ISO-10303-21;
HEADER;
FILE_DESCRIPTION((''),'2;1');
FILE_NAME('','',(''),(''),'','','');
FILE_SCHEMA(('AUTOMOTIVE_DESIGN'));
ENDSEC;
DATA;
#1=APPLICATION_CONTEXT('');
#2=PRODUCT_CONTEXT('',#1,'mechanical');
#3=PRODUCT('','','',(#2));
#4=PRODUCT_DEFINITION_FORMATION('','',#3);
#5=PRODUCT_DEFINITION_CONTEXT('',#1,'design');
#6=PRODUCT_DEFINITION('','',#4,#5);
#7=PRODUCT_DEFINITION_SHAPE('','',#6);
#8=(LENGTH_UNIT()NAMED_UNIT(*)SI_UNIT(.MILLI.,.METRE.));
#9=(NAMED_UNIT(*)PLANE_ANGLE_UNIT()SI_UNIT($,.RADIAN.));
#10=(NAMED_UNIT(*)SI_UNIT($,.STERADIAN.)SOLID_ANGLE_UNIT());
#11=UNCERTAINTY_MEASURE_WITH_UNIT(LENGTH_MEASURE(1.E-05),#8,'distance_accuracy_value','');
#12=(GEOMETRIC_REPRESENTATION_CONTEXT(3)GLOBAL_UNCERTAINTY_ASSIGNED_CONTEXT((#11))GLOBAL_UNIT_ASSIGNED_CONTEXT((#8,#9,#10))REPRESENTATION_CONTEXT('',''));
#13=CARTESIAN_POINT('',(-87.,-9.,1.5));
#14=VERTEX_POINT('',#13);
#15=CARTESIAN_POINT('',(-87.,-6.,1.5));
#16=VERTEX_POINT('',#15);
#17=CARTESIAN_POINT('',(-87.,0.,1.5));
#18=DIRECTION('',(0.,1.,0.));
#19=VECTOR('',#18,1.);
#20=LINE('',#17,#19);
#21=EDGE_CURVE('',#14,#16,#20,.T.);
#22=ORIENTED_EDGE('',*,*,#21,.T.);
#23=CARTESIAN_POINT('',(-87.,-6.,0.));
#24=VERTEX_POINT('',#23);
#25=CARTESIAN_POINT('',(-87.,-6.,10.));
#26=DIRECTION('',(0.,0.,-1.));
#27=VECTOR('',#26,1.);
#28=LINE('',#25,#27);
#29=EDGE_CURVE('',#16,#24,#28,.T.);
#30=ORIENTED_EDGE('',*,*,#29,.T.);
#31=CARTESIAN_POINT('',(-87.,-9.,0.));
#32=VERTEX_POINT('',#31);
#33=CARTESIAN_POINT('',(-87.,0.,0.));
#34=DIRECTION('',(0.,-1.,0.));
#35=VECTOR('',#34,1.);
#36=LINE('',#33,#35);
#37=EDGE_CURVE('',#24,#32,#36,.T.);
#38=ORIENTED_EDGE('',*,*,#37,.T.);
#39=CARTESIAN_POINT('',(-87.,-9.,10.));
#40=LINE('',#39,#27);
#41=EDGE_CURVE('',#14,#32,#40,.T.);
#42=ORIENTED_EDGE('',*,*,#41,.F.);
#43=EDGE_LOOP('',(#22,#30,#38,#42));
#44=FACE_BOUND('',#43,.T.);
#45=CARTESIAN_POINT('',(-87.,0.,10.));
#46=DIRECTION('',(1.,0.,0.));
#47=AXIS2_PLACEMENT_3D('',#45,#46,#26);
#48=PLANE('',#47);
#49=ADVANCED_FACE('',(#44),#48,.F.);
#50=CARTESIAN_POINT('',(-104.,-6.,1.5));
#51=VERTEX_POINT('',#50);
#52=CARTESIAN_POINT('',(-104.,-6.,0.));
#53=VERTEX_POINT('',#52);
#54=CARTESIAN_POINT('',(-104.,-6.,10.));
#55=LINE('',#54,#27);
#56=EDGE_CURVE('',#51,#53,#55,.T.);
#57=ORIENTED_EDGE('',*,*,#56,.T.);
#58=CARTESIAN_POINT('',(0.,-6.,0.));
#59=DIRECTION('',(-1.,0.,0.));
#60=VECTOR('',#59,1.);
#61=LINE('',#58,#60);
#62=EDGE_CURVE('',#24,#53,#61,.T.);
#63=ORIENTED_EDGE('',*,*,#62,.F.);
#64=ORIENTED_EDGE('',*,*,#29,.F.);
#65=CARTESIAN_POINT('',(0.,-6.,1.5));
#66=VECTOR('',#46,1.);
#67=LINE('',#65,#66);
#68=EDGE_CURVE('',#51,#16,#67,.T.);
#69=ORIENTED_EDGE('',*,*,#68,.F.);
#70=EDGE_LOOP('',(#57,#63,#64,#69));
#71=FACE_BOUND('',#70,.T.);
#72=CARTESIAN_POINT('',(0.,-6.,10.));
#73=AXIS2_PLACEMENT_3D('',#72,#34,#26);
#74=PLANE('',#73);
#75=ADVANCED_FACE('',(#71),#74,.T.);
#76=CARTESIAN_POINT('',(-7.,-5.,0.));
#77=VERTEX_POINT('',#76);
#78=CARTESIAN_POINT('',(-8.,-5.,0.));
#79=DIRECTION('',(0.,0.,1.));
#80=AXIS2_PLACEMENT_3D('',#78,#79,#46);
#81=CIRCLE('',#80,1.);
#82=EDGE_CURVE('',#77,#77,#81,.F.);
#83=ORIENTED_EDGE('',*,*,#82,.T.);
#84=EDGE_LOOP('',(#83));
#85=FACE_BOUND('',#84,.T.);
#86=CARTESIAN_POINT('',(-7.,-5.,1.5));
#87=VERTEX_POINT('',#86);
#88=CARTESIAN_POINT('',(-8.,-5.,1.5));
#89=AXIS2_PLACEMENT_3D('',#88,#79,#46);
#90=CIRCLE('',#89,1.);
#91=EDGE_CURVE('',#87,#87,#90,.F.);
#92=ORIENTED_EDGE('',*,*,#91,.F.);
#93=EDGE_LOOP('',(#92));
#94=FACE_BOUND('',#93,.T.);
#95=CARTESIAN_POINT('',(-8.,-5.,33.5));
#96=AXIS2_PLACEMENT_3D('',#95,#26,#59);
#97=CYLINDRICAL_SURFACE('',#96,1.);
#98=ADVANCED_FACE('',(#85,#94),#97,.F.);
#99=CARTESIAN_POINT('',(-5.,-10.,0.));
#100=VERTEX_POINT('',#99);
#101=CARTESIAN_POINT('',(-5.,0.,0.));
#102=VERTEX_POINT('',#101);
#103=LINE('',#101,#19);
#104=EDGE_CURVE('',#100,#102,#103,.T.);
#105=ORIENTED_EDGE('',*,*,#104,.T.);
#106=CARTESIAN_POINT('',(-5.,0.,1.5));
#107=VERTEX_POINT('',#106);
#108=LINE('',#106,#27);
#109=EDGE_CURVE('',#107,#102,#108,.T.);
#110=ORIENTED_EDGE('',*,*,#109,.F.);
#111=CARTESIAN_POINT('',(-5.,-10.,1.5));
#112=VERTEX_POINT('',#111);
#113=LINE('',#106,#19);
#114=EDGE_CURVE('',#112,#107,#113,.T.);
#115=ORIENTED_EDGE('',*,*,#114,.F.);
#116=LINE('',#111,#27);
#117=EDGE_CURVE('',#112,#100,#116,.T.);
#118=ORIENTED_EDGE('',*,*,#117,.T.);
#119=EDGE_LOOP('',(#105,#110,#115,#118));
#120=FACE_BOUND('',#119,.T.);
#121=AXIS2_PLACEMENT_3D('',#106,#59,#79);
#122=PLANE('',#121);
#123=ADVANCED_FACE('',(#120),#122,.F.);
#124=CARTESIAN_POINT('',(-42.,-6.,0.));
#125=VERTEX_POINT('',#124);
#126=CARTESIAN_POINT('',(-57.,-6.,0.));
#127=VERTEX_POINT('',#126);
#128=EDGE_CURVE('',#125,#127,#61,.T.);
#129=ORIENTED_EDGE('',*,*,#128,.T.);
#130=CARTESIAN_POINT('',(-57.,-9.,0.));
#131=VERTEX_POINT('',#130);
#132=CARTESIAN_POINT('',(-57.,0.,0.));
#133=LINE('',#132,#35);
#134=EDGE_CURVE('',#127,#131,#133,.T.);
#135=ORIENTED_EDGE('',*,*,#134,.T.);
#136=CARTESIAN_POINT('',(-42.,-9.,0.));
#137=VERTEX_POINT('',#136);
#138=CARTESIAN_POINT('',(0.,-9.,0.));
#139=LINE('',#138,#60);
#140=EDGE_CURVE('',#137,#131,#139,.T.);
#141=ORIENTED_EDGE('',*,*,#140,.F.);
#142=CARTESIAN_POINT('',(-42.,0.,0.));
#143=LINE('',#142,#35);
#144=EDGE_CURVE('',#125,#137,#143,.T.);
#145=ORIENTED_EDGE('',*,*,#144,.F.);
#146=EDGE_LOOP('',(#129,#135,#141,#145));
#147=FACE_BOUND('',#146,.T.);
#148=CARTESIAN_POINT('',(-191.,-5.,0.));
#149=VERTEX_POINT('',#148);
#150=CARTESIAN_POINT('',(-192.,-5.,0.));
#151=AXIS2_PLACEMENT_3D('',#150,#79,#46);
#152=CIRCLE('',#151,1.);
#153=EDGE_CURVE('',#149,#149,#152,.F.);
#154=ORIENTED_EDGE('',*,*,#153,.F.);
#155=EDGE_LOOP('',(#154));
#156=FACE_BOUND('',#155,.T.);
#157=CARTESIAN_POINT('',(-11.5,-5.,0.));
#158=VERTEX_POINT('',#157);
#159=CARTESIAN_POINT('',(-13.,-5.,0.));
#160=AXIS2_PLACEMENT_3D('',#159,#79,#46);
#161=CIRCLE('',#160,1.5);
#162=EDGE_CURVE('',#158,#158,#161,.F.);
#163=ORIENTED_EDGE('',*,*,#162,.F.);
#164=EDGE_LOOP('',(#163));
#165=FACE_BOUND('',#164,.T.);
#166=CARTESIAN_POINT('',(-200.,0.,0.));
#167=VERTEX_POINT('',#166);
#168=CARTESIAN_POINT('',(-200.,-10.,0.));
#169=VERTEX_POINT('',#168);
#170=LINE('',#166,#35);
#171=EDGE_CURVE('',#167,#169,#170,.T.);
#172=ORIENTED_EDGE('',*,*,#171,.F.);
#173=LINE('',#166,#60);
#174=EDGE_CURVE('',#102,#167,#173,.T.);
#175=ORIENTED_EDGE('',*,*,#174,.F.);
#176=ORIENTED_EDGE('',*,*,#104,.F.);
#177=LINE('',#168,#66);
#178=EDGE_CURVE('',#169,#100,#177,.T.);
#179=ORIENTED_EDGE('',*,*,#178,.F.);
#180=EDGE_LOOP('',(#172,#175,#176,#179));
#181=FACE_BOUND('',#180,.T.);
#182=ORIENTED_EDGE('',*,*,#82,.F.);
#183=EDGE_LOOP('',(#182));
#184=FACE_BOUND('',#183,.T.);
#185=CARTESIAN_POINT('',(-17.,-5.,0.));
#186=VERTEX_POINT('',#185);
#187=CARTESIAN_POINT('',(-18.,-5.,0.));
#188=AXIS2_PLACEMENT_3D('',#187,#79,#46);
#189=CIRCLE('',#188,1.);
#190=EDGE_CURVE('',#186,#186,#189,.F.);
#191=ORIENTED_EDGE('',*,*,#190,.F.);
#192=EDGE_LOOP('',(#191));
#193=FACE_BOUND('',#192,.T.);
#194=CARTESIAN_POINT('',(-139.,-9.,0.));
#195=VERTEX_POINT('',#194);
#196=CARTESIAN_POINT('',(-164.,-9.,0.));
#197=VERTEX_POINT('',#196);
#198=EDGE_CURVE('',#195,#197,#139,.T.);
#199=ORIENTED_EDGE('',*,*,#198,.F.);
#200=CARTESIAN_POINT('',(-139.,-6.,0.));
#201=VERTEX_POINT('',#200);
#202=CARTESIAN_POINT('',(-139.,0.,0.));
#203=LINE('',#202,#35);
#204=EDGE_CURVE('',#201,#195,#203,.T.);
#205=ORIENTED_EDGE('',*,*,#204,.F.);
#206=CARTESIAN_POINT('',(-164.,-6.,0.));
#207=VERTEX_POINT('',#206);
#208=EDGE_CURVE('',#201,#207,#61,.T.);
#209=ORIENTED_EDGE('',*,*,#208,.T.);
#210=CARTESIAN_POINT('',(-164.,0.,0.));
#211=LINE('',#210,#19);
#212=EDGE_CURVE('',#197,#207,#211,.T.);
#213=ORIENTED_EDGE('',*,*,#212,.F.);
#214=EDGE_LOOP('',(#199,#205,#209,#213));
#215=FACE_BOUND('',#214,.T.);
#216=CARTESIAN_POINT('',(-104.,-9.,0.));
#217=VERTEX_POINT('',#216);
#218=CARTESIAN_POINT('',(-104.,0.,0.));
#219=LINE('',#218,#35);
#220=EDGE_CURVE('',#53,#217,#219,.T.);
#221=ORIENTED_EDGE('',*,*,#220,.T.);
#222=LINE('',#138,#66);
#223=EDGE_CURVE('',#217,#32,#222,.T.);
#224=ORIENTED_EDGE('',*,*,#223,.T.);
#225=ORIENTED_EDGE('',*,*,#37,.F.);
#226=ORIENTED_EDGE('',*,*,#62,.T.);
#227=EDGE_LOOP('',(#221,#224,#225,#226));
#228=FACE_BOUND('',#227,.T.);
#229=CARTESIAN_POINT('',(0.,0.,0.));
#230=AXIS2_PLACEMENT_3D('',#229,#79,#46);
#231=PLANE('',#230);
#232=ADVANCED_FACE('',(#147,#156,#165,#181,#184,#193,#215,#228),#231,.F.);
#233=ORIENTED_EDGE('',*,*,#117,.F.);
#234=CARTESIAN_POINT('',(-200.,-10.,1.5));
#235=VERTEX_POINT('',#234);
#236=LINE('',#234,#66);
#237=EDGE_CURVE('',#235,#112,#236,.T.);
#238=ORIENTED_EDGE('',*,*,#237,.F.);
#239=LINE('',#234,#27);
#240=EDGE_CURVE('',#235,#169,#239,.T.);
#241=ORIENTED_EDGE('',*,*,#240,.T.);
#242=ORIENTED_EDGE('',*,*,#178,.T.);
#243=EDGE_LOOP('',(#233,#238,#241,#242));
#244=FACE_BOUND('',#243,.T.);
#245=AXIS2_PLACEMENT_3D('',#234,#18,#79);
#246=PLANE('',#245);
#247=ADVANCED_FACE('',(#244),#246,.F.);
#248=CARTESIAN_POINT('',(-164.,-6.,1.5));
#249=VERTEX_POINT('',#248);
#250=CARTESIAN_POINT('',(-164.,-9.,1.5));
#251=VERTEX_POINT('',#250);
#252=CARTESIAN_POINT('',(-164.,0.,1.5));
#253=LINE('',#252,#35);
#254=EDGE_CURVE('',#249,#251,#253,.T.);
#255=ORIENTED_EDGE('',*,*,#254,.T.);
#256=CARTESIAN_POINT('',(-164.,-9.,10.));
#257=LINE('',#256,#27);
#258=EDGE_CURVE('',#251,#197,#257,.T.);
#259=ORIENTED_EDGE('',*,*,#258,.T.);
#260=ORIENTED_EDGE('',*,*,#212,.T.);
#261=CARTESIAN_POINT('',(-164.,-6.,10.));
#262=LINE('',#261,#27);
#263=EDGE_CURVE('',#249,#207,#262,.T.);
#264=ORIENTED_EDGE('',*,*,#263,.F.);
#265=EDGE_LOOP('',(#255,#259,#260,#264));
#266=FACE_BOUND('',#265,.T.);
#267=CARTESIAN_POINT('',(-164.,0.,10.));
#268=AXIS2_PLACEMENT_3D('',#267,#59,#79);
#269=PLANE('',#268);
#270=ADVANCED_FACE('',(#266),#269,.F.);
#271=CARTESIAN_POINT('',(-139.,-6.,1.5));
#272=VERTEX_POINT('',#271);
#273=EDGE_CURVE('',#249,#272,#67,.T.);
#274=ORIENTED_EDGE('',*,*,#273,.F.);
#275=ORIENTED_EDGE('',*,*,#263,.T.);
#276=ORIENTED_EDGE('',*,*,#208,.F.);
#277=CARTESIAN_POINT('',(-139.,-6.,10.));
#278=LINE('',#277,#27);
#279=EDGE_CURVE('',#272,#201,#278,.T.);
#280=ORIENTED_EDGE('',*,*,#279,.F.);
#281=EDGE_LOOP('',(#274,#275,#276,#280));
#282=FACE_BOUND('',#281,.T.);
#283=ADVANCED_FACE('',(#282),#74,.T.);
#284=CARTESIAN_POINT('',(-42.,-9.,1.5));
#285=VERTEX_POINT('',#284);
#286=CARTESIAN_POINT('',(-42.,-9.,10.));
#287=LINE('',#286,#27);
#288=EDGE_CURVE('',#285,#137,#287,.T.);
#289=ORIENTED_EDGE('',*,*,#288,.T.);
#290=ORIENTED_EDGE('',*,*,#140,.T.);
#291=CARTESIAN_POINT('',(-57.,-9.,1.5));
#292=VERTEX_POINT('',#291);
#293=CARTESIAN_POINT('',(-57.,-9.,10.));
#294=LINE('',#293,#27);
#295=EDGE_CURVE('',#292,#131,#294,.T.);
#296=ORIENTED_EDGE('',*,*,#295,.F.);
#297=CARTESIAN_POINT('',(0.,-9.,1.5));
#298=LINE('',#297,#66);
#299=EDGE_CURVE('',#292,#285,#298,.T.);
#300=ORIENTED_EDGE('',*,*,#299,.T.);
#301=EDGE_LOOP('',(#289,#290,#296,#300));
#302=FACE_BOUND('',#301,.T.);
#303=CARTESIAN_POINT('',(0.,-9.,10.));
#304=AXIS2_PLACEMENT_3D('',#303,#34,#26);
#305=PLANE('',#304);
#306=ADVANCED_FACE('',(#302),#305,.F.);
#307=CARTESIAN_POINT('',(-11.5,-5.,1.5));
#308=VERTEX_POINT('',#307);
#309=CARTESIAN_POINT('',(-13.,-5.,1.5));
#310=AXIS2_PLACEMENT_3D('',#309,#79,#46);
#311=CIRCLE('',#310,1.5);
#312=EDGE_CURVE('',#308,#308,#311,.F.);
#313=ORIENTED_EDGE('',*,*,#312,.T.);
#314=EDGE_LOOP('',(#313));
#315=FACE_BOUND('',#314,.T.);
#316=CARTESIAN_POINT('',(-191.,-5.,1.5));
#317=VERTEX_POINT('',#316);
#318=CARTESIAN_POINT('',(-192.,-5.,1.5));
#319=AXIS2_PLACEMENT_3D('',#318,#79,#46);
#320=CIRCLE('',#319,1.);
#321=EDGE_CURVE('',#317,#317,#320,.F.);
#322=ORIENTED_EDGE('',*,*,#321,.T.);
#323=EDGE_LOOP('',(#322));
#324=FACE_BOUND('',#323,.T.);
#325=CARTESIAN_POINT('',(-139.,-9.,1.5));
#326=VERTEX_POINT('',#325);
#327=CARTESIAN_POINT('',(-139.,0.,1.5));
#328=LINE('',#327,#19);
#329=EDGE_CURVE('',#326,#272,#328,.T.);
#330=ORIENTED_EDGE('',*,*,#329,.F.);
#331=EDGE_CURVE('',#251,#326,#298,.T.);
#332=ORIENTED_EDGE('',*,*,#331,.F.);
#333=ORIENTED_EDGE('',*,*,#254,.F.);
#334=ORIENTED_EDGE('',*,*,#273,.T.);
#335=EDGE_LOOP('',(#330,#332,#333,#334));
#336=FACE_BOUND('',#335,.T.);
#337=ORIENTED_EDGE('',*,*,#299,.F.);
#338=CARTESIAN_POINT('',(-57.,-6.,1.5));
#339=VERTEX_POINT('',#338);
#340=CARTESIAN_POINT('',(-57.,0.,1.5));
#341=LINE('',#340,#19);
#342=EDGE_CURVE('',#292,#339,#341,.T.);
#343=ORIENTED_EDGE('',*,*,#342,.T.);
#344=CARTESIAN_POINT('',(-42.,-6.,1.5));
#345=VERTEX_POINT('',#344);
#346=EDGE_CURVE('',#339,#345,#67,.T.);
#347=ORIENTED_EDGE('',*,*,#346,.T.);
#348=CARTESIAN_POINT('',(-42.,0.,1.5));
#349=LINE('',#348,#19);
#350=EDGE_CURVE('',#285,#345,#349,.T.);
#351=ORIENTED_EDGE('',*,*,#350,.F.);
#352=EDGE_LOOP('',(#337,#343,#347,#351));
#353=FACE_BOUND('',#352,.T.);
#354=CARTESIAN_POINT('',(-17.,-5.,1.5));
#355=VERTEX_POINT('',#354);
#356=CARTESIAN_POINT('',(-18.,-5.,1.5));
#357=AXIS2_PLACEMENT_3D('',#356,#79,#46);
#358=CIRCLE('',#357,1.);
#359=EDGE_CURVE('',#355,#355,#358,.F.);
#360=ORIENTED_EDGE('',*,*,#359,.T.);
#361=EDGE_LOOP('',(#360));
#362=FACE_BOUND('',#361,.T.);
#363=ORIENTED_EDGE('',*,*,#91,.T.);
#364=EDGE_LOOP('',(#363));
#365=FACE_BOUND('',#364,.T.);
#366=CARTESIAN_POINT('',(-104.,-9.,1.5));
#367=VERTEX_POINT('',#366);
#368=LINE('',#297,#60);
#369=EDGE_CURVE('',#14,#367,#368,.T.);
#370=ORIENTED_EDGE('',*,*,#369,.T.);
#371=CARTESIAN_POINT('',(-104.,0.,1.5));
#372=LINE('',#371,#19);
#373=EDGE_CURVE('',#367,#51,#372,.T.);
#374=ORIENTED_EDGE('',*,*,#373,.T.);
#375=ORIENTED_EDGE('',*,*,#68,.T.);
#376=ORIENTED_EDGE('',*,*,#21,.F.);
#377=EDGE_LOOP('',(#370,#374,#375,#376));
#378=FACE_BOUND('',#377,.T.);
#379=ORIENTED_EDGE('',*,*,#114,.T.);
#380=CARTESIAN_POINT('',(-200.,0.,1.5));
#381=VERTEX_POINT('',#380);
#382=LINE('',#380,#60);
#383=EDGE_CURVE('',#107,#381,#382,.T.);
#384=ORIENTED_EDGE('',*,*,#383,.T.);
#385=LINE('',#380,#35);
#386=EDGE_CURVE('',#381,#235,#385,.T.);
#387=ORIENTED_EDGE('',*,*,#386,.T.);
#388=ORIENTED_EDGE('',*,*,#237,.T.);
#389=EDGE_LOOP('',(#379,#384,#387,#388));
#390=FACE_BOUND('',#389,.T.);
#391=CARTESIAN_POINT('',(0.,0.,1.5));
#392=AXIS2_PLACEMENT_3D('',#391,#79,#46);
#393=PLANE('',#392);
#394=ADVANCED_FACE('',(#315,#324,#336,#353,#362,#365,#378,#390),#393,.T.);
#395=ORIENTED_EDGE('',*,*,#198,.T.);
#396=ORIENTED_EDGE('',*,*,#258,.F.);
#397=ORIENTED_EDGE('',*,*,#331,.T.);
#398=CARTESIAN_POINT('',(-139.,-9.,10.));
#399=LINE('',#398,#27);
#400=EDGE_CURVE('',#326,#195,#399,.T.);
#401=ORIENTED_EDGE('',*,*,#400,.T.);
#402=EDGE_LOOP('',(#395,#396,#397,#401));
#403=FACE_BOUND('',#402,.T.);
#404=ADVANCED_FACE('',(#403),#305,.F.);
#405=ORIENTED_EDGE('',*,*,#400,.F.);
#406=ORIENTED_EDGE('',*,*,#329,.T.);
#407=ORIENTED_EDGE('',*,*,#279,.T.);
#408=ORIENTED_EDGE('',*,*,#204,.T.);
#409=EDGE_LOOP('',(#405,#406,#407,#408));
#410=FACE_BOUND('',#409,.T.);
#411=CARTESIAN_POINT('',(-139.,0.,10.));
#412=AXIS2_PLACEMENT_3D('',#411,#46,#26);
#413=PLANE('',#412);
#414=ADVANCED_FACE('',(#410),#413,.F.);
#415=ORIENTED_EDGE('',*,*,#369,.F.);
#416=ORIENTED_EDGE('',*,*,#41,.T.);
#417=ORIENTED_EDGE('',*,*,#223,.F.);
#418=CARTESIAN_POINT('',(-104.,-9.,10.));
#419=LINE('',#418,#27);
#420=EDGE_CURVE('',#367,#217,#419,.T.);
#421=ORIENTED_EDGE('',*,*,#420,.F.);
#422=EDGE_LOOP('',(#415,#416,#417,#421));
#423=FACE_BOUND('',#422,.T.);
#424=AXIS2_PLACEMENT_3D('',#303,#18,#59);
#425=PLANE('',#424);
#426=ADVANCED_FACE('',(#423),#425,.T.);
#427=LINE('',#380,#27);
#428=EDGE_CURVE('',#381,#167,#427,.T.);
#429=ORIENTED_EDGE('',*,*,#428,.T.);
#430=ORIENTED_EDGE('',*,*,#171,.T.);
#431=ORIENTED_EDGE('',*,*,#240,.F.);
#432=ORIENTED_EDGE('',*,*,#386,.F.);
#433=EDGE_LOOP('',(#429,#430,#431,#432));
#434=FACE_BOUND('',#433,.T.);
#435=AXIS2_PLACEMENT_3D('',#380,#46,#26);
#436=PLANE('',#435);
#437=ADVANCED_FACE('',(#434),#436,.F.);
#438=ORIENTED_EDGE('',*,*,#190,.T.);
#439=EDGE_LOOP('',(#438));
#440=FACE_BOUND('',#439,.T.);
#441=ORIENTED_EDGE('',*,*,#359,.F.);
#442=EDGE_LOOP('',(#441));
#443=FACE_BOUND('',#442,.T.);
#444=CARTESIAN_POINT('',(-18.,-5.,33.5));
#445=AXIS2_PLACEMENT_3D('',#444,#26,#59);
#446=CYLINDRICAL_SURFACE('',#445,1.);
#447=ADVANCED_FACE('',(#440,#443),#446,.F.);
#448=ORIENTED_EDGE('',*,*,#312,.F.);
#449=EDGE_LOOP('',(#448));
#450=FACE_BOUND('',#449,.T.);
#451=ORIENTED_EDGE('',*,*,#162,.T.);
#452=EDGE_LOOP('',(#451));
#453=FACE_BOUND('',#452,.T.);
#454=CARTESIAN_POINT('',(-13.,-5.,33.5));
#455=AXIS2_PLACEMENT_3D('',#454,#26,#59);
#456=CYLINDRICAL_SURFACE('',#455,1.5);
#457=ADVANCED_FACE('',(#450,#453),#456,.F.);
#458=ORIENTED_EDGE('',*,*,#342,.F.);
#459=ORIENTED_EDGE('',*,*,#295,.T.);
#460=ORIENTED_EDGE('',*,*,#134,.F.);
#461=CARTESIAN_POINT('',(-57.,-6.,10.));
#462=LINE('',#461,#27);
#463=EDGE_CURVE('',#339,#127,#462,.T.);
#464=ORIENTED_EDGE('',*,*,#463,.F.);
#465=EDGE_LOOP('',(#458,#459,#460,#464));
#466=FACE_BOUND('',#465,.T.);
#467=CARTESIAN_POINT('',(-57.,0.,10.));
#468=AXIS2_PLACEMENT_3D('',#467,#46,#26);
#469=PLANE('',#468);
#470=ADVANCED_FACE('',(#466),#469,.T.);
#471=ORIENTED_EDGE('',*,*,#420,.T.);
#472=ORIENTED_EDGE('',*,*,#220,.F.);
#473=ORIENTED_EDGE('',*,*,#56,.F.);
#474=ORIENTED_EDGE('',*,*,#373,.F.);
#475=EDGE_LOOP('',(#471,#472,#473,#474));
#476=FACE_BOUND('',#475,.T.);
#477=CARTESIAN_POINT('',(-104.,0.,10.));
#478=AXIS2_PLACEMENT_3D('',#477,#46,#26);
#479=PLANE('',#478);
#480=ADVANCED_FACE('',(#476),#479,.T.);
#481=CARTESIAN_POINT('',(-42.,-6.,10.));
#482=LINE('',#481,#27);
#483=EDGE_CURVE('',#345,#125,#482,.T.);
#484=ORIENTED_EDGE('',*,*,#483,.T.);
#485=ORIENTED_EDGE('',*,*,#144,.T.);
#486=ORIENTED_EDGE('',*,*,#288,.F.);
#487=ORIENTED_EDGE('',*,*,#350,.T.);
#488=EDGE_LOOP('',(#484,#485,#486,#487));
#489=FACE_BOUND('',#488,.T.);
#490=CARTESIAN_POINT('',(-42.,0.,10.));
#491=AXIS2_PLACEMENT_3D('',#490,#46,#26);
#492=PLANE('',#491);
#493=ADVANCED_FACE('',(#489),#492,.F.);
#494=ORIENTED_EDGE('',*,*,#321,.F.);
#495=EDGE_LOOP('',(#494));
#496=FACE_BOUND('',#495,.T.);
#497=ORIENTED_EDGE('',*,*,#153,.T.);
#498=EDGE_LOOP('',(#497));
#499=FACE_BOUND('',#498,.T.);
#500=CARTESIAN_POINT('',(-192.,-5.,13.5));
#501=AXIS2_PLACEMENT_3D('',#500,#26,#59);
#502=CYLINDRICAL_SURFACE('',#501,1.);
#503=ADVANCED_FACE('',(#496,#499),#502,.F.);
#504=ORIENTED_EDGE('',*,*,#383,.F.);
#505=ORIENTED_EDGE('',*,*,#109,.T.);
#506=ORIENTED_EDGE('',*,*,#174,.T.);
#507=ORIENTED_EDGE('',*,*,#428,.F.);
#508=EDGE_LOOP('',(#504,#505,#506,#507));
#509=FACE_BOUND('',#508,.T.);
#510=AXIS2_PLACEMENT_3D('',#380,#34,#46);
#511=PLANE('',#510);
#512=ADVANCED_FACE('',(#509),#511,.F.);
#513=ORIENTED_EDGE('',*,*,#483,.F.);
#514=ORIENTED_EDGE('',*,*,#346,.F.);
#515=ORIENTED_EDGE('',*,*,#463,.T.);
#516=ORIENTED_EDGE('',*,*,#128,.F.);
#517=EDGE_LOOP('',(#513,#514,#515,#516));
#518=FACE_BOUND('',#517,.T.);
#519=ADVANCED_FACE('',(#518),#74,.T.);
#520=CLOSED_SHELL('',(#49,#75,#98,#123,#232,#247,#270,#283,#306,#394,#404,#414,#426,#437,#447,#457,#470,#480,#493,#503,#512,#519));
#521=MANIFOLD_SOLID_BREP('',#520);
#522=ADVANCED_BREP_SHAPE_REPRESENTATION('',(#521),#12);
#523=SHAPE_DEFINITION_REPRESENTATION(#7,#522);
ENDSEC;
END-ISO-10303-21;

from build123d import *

# Parameters (mm, degrees)
SKETCH_1_W               = 195
SKETCH_1_H               = 10
EXTRUDE_1_DEPTH          = 1.5
CUT_EXTRUDE_1_DEPTH      = 12
CUT_EXTRUDE_1_DEPTH_BACK = 15
CUT_EXTRUDE_2_DEPTH      = 32
CUT_EXTRUDE_2_DEPTH_BACK = 31
SKETCH_3_R               = 1.5
SKETCH_3_R_2             = 1
SKETCH_4_W               = 15
SKETCH_4_H               = 3
SKETCH_4_W_2             = 17
SKETCH_4_W_3             = 25
CUT_EXTRUDE_3_DEPTH      = 10


with BuildPart() as part:
    # 草图1 → 凸台-拉伸1 (new body)
    with BuildSketch(Plane.XY):
        with Locations((-102.5, -5)):
            Rectangle(SKETCH_1_W, SKETCH_1_H)
    extrude(amount=EXTRUDE_1_DEPTH)

    # 草图2 → 切除-拉伸1 (cut, two sides: drawn at the far end of the back side and taken through both)
    with BuildSketch(Plane.XY.offset(1.5).offset(-CUT_EXTRUDE_1_DEPTH_BACK)):
        with BuildLine():
            ThreePointArc((-193, -5), (-192, -6), (-191, -5))
            ThreePointArc((-191, -5), (-192, -4), (-193, -5))
        make_face()
    extrude(amount=CUT_EXTRUDE_1_DEPTH + CUT_EXTRUDE_1_DEPTH_BACK, mode=Mode.SUBTRACT)

    # 草图3 → 切除-拉伸2 (cut, two sides: drawn at the far end of the back side and taken through both)
    with BuildSketch(Plane.XY.offset(1.5).offset(-CUT_EXTRUDE_2_DEPTH_BACK)):
        with Locations((-13, -5)):
            Circle(SKETCH_3_R)
        with Locations((-8, -5)):
            Circle(SKETCH_3_R_2)
        with Locations((-18, -5)):
            Circle(SKETCH_3_R_2)
    extrude(amount=CUT_EXTRUDE_2_DEPTH + CUT_EXTRUDE_2_DEPTH_BACK, mode=Mode.SUBTRACT)

    # 草图4 → 切除-拉伸3 (cut)
    with BuildSketch(Plane(origin=(0, 0, 0), x_dir=(-1, 0, 0), z_dir=(0, 0, -1))):
        with Locations((49.5, -7.5)):
            Rectangle(SKETCH_4_W, SKETCH_4_H)
        with Locations((95.5, -7.5)):
            Rectangle(SKETCH_4_W_2, SKETCH_4_H)
        with Locations((151.5, -7.5)):
            Rectangle(SKETCH_4_W_3, SKETCH_4_H)
    extrude(amount=-CUT_EXTRUDE_3_DEPTH, mode=Mode.SUBTRACT)


solid = part.part
